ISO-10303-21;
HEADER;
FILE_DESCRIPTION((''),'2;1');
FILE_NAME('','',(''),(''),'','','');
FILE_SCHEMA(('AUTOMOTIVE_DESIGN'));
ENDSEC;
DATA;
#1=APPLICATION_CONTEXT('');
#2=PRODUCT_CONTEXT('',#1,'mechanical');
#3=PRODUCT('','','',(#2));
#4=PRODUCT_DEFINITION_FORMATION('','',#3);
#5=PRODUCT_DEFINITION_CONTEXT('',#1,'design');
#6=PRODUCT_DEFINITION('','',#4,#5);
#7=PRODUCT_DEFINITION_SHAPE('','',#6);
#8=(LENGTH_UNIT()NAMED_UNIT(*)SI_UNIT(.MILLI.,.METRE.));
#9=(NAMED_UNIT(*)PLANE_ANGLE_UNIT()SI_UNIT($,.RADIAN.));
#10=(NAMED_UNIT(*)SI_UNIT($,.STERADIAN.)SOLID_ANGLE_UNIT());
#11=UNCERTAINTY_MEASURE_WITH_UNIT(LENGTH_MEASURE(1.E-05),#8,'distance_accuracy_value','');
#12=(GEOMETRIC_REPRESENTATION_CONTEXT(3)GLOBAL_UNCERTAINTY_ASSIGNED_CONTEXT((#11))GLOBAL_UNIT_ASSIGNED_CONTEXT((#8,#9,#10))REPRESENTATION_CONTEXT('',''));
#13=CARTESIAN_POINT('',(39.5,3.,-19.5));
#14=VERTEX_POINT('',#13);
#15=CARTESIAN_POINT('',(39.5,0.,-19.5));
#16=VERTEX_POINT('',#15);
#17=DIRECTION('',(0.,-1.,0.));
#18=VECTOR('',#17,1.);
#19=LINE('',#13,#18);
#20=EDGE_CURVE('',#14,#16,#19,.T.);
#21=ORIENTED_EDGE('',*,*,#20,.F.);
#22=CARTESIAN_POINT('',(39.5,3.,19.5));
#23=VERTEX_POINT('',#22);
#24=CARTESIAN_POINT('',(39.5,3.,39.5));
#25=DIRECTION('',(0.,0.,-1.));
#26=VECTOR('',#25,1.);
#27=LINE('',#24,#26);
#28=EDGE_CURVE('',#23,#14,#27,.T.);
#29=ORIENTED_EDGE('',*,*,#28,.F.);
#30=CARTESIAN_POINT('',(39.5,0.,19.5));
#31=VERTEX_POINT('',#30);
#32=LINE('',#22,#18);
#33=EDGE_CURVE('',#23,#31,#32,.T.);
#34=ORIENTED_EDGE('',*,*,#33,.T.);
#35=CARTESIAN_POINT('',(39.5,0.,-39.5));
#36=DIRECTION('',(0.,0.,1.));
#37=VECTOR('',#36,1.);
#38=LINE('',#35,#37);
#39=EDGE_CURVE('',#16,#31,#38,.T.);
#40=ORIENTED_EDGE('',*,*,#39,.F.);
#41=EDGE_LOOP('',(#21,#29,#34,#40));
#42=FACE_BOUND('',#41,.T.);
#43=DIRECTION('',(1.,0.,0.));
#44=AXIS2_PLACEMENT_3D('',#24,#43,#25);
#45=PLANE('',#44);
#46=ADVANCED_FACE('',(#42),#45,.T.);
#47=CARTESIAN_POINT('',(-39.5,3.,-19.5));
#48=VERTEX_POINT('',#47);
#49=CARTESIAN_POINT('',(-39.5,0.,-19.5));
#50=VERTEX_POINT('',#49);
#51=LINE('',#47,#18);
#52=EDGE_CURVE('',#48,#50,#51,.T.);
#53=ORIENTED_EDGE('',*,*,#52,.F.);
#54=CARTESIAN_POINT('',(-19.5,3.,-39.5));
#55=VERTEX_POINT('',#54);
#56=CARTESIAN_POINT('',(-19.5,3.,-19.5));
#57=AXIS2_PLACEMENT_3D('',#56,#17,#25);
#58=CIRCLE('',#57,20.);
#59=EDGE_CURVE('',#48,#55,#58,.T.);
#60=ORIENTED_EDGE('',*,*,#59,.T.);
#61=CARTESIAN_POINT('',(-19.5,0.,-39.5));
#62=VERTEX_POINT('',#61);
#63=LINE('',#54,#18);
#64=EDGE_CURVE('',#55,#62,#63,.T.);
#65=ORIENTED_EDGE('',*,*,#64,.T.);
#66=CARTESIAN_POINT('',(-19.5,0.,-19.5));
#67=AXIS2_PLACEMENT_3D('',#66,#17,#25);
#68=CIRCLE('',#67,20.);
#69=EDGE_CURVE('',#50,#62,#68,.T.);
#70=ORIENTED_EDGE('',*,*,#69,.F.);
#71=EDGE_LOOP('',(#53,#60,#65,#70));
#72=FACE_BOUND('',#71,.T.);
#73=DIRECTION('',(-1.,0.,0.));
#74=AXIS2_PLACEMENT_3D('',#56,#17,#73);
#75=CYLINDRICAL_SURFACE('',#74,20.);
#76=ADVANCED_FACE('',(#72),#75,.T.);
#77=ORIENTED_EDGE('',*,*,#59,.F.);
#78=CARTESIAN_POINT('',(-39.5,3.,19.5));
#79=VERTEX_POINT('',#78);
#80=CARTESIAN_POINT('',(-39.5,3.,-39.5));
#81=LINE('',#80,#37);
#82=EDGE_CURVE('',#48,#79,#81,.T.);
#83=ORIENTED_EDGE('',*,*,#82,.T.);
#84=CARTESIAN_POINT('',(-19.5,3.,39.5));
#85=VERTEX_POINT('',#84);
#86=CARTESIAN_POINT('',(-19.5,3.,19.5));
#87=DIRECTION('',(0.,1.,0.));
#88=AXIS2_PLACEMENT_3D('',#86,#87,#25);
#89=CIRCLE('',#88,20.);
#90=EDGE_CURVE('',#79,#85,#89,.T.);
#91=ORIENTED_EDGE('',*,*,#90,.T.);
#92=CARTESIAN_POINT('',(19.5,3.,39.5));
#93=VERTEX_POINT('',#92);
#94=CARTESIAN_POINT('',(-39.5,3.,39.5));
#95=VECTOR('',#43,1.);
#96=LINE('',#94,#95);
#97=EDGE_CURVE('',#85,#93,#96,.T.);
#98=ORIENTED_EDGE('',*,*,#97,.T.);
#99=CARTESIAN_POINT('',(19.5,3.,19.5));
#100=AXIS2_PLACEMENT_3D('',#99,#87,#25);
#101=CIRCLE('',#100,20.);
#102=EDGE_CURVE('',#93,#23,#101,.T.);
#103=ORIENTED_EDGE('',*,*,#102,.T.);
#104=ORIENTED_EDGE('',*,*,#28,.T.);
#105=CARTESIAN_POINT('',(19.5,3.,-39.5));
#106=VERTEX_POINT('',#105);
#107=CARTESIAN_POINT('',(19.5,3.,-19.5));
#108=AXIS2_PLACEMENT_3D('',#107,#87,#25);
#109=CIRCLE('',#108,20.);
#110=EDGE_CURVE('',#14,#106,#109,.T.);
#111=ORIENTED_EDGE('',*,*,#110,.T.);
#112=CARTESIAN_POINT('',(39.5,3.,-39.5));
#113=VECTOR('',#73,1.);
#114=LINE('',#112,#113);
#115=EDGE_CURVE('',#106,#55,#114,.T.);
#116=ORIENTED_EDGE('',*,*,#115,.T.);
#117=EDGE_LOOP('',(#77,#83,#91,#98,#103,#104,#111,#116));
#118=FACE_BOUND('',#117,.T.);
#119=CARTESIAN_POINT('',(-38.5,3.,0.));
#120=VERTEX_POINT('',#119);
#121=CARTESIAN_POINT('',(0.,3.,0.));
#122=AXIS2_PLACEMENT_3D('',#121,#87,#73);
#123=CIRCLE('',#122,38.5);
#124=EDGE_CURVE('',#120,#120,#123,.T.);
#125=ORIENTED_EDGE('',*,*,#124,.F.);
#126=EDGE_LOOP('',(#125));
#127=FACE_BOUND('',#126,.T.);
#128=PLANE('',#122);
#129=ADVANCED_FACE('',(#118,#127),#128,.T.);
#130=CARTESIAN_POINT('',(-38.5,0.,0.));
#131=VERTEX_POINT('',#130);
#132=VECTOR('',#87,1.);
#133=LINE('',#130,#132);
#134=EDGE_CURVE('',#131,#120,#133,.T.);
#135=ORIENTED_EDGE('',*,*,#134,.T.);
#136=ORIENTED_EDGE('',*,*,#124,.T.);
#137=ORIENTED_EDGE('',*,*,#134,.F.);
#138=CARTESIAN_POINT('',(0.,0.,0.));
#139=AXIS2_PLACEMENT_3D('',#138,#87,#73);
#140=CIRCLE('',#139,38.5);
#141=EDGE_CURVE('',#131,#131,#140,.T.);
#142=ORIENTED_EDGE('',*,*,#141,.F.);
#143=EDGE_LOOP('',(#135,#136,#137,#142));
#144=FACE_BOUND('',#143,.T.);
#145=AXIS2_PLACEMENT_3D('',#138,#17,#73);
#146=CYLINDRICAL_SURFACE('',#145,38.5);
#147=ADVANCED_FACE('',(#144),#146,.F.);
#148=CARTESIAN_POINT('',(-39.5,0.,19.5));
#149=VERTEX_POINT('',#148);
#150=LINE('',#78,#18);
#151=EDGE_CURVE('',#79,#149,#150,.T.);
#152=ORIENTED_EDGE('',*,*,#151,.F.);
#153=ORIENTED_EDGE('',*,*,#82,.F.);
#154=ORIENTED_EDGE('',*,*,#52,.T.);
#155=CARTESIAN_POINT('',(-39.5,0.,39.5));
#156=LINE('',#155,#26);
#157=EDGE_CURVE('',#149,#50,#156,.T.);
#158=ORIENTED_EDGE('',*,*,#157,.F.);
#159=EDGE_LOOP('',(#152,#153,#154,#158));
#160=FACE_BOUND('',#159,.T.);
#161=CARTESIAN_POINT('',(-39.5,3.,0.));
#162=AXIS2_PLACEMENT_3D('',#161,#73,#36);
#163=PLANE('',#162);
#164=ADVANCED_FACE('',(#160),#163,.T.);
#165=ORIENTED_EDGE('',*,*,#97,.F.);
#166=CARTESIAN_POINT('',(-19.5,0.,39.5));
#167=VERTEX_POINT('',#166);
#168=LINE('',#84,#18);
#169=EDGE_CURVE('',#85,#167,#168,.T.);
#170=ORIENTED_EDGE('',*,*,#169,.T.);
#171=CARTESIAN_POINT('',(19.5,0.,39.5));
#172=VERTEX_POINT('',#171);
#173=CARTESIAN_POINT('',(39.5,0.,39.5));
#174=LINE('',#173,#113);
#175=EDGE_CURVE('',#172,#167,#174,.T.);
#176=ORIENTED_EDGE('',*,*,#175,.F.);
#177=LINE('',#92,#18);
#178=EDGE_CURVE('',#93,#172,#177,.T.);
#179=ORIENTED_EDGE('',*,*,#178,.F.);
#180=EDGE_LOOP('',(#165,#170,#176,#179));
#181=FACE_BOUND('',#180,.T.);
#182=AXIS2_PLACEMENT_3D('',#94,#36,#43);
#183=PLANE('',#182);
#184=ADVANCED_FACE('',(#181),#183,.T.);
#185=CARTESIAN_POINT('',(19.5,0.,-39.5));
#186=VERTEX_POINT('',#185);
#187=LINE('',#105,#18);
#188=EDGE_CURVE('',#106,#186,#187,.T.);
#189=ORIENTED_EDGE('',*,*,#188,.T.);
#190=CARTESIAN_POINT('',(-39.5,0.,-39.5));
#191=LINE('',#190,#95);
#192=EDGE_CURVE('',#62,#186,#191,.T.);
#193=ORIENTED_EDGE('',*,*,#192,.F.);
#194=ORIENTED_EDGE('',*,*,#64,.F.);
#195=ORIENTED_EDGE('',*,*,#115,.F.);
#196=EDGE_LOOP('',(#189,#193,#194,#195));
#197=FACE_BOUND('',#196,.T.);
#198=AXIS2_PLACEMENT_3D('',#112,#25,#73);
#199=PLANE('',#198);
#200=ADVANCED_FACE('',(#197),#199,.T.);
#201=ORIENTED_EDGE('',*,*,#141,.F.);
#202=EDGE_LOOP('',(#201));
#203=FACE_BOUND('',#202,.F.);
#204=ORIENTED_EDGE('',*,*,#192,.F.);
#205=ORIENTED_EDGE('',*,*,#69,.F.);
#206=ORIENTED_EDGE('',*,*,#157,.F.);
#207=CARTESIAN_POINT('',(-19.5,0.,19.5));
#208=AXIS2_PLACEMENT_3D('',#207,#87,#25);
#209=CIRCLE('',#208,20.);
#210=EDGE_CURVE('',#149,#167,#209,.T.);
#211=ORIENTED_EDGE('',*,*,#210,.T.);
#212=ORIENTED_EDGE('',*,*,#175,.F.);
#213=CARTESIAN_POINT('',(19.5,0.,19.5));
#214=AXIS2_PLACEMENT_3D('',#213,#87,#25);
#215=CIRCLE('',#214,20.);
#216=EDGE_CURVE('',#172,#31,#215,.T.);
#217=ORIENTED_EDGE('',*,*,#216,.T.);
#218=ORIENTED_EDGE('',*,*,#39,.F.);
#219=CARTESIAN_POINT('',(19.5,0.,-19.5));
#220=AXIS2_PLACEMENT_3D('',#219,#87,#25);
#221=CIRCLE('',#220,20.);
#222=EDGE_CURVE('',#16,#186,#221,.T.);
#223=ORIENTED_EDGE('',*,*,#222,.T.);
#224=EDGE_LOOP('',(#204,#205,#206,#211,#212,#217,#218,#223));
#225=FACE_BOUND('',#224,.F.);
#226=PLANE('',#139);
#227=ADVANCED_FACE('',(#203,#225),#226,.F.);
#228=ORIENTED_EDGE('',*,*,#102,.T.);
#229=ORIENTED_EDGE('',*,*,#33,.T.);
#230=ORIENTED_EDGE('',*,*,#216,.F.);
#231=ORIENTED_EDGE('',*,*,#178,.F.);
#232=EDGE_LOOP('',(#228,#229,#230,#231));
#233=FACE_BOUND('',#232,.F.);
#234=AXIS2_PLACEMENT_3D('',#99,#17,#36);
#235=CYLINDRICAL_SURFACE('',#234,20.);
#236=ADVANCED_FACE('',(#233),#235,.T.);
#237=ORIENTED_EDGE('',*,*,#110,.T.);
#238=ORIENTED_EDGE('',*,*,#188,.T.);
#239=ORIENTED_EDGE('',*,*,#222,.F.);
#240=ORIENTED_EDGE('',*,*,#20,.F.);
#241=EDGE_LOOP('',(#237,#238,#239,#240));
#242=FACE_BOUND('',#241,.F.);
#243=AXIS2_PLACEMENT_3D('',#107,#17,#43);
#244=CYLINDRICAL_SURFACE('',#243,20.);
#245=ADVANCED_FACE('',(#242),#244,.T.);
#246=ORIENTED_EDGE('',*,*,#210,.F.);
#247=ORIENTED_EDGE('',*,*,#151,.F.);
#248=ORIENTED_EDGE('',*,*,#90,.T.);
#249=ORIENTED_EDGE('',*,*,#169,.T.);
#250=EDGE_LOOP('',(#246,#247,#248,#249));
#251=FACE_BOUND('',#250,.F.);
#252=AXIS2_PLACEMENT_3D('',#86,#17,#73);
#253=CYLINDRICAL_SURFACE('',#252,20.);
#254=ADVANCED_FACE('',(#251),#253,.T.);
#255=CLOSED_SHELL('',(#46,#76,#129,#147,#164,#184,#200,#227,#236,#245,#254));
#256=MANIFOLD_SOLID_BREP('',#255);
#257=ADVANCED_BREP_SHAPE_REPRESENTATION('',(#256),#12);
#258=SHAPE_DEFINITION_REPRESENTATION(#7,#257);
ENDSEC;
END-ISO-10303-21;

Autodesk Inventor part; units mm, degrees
ref_plane "YZ Plane" through (0, 0, 0) normal (1, 0, 0) x (0, 1, 0)
ref_plane "XZ Plane" through (0, 0, 0) normal (0, 1, 0) x (-1, 0, 0)
ref_plane "XY Plane" through (0, 0, 0) normal (0, 0, 1) x (1, 0, 0)
sketch "Sketch1" plane through (0, 0, 0) normal (0, 1, 0) x (-1, 0, 0)
  circle A0 centre (0, 0) radius 38.5
  circle A1 centre (0, 0) radius 39.5
  dimension "d0" = 77
  dimension "d1" = 79
extrude "Extrusion1" add sketch "Sketch1" along normal blind 3
sketch "Sketch21" plane through (0, 3, 0) normal (0, 1, 0) x (1, 0, 0)
  line L0 (-39.5, -39.5) -> (39.5, -39.5)
  line L1 (39.5, -39.5) -> (39.5, 39.5)
  line L2 (39.5, 39.5) -> (-39.5, 39.5)
  line L3 (-39.5, 39.5) -> (-39.5, -39.5)
  line L4 (-39.5, -39.5) -> (39.5, 39.5) construction
  line L5 (39.5, -39.5) -> (-39.5, 39.5) construction
  circle A0 centre (0, 0) radius 39.5
  dimension "d111" = 79
  dimension "d112" = 79
extrude "Extrusion21" add sketch "Sketch21" against normal blind 3 contours L3 A0 L0 | A0 L1 L0 | L3 L2 A0 | A0 L2 L1
fillet "Fillet3" radius 20 4 edges at (-39.5, 1.5, -39.5) (39.5, 1.5, -39.5) (39.5, 1.5, 39.5) (-39.5, 1.5, 39.5)
properties part number "Motor mount (plain)"
